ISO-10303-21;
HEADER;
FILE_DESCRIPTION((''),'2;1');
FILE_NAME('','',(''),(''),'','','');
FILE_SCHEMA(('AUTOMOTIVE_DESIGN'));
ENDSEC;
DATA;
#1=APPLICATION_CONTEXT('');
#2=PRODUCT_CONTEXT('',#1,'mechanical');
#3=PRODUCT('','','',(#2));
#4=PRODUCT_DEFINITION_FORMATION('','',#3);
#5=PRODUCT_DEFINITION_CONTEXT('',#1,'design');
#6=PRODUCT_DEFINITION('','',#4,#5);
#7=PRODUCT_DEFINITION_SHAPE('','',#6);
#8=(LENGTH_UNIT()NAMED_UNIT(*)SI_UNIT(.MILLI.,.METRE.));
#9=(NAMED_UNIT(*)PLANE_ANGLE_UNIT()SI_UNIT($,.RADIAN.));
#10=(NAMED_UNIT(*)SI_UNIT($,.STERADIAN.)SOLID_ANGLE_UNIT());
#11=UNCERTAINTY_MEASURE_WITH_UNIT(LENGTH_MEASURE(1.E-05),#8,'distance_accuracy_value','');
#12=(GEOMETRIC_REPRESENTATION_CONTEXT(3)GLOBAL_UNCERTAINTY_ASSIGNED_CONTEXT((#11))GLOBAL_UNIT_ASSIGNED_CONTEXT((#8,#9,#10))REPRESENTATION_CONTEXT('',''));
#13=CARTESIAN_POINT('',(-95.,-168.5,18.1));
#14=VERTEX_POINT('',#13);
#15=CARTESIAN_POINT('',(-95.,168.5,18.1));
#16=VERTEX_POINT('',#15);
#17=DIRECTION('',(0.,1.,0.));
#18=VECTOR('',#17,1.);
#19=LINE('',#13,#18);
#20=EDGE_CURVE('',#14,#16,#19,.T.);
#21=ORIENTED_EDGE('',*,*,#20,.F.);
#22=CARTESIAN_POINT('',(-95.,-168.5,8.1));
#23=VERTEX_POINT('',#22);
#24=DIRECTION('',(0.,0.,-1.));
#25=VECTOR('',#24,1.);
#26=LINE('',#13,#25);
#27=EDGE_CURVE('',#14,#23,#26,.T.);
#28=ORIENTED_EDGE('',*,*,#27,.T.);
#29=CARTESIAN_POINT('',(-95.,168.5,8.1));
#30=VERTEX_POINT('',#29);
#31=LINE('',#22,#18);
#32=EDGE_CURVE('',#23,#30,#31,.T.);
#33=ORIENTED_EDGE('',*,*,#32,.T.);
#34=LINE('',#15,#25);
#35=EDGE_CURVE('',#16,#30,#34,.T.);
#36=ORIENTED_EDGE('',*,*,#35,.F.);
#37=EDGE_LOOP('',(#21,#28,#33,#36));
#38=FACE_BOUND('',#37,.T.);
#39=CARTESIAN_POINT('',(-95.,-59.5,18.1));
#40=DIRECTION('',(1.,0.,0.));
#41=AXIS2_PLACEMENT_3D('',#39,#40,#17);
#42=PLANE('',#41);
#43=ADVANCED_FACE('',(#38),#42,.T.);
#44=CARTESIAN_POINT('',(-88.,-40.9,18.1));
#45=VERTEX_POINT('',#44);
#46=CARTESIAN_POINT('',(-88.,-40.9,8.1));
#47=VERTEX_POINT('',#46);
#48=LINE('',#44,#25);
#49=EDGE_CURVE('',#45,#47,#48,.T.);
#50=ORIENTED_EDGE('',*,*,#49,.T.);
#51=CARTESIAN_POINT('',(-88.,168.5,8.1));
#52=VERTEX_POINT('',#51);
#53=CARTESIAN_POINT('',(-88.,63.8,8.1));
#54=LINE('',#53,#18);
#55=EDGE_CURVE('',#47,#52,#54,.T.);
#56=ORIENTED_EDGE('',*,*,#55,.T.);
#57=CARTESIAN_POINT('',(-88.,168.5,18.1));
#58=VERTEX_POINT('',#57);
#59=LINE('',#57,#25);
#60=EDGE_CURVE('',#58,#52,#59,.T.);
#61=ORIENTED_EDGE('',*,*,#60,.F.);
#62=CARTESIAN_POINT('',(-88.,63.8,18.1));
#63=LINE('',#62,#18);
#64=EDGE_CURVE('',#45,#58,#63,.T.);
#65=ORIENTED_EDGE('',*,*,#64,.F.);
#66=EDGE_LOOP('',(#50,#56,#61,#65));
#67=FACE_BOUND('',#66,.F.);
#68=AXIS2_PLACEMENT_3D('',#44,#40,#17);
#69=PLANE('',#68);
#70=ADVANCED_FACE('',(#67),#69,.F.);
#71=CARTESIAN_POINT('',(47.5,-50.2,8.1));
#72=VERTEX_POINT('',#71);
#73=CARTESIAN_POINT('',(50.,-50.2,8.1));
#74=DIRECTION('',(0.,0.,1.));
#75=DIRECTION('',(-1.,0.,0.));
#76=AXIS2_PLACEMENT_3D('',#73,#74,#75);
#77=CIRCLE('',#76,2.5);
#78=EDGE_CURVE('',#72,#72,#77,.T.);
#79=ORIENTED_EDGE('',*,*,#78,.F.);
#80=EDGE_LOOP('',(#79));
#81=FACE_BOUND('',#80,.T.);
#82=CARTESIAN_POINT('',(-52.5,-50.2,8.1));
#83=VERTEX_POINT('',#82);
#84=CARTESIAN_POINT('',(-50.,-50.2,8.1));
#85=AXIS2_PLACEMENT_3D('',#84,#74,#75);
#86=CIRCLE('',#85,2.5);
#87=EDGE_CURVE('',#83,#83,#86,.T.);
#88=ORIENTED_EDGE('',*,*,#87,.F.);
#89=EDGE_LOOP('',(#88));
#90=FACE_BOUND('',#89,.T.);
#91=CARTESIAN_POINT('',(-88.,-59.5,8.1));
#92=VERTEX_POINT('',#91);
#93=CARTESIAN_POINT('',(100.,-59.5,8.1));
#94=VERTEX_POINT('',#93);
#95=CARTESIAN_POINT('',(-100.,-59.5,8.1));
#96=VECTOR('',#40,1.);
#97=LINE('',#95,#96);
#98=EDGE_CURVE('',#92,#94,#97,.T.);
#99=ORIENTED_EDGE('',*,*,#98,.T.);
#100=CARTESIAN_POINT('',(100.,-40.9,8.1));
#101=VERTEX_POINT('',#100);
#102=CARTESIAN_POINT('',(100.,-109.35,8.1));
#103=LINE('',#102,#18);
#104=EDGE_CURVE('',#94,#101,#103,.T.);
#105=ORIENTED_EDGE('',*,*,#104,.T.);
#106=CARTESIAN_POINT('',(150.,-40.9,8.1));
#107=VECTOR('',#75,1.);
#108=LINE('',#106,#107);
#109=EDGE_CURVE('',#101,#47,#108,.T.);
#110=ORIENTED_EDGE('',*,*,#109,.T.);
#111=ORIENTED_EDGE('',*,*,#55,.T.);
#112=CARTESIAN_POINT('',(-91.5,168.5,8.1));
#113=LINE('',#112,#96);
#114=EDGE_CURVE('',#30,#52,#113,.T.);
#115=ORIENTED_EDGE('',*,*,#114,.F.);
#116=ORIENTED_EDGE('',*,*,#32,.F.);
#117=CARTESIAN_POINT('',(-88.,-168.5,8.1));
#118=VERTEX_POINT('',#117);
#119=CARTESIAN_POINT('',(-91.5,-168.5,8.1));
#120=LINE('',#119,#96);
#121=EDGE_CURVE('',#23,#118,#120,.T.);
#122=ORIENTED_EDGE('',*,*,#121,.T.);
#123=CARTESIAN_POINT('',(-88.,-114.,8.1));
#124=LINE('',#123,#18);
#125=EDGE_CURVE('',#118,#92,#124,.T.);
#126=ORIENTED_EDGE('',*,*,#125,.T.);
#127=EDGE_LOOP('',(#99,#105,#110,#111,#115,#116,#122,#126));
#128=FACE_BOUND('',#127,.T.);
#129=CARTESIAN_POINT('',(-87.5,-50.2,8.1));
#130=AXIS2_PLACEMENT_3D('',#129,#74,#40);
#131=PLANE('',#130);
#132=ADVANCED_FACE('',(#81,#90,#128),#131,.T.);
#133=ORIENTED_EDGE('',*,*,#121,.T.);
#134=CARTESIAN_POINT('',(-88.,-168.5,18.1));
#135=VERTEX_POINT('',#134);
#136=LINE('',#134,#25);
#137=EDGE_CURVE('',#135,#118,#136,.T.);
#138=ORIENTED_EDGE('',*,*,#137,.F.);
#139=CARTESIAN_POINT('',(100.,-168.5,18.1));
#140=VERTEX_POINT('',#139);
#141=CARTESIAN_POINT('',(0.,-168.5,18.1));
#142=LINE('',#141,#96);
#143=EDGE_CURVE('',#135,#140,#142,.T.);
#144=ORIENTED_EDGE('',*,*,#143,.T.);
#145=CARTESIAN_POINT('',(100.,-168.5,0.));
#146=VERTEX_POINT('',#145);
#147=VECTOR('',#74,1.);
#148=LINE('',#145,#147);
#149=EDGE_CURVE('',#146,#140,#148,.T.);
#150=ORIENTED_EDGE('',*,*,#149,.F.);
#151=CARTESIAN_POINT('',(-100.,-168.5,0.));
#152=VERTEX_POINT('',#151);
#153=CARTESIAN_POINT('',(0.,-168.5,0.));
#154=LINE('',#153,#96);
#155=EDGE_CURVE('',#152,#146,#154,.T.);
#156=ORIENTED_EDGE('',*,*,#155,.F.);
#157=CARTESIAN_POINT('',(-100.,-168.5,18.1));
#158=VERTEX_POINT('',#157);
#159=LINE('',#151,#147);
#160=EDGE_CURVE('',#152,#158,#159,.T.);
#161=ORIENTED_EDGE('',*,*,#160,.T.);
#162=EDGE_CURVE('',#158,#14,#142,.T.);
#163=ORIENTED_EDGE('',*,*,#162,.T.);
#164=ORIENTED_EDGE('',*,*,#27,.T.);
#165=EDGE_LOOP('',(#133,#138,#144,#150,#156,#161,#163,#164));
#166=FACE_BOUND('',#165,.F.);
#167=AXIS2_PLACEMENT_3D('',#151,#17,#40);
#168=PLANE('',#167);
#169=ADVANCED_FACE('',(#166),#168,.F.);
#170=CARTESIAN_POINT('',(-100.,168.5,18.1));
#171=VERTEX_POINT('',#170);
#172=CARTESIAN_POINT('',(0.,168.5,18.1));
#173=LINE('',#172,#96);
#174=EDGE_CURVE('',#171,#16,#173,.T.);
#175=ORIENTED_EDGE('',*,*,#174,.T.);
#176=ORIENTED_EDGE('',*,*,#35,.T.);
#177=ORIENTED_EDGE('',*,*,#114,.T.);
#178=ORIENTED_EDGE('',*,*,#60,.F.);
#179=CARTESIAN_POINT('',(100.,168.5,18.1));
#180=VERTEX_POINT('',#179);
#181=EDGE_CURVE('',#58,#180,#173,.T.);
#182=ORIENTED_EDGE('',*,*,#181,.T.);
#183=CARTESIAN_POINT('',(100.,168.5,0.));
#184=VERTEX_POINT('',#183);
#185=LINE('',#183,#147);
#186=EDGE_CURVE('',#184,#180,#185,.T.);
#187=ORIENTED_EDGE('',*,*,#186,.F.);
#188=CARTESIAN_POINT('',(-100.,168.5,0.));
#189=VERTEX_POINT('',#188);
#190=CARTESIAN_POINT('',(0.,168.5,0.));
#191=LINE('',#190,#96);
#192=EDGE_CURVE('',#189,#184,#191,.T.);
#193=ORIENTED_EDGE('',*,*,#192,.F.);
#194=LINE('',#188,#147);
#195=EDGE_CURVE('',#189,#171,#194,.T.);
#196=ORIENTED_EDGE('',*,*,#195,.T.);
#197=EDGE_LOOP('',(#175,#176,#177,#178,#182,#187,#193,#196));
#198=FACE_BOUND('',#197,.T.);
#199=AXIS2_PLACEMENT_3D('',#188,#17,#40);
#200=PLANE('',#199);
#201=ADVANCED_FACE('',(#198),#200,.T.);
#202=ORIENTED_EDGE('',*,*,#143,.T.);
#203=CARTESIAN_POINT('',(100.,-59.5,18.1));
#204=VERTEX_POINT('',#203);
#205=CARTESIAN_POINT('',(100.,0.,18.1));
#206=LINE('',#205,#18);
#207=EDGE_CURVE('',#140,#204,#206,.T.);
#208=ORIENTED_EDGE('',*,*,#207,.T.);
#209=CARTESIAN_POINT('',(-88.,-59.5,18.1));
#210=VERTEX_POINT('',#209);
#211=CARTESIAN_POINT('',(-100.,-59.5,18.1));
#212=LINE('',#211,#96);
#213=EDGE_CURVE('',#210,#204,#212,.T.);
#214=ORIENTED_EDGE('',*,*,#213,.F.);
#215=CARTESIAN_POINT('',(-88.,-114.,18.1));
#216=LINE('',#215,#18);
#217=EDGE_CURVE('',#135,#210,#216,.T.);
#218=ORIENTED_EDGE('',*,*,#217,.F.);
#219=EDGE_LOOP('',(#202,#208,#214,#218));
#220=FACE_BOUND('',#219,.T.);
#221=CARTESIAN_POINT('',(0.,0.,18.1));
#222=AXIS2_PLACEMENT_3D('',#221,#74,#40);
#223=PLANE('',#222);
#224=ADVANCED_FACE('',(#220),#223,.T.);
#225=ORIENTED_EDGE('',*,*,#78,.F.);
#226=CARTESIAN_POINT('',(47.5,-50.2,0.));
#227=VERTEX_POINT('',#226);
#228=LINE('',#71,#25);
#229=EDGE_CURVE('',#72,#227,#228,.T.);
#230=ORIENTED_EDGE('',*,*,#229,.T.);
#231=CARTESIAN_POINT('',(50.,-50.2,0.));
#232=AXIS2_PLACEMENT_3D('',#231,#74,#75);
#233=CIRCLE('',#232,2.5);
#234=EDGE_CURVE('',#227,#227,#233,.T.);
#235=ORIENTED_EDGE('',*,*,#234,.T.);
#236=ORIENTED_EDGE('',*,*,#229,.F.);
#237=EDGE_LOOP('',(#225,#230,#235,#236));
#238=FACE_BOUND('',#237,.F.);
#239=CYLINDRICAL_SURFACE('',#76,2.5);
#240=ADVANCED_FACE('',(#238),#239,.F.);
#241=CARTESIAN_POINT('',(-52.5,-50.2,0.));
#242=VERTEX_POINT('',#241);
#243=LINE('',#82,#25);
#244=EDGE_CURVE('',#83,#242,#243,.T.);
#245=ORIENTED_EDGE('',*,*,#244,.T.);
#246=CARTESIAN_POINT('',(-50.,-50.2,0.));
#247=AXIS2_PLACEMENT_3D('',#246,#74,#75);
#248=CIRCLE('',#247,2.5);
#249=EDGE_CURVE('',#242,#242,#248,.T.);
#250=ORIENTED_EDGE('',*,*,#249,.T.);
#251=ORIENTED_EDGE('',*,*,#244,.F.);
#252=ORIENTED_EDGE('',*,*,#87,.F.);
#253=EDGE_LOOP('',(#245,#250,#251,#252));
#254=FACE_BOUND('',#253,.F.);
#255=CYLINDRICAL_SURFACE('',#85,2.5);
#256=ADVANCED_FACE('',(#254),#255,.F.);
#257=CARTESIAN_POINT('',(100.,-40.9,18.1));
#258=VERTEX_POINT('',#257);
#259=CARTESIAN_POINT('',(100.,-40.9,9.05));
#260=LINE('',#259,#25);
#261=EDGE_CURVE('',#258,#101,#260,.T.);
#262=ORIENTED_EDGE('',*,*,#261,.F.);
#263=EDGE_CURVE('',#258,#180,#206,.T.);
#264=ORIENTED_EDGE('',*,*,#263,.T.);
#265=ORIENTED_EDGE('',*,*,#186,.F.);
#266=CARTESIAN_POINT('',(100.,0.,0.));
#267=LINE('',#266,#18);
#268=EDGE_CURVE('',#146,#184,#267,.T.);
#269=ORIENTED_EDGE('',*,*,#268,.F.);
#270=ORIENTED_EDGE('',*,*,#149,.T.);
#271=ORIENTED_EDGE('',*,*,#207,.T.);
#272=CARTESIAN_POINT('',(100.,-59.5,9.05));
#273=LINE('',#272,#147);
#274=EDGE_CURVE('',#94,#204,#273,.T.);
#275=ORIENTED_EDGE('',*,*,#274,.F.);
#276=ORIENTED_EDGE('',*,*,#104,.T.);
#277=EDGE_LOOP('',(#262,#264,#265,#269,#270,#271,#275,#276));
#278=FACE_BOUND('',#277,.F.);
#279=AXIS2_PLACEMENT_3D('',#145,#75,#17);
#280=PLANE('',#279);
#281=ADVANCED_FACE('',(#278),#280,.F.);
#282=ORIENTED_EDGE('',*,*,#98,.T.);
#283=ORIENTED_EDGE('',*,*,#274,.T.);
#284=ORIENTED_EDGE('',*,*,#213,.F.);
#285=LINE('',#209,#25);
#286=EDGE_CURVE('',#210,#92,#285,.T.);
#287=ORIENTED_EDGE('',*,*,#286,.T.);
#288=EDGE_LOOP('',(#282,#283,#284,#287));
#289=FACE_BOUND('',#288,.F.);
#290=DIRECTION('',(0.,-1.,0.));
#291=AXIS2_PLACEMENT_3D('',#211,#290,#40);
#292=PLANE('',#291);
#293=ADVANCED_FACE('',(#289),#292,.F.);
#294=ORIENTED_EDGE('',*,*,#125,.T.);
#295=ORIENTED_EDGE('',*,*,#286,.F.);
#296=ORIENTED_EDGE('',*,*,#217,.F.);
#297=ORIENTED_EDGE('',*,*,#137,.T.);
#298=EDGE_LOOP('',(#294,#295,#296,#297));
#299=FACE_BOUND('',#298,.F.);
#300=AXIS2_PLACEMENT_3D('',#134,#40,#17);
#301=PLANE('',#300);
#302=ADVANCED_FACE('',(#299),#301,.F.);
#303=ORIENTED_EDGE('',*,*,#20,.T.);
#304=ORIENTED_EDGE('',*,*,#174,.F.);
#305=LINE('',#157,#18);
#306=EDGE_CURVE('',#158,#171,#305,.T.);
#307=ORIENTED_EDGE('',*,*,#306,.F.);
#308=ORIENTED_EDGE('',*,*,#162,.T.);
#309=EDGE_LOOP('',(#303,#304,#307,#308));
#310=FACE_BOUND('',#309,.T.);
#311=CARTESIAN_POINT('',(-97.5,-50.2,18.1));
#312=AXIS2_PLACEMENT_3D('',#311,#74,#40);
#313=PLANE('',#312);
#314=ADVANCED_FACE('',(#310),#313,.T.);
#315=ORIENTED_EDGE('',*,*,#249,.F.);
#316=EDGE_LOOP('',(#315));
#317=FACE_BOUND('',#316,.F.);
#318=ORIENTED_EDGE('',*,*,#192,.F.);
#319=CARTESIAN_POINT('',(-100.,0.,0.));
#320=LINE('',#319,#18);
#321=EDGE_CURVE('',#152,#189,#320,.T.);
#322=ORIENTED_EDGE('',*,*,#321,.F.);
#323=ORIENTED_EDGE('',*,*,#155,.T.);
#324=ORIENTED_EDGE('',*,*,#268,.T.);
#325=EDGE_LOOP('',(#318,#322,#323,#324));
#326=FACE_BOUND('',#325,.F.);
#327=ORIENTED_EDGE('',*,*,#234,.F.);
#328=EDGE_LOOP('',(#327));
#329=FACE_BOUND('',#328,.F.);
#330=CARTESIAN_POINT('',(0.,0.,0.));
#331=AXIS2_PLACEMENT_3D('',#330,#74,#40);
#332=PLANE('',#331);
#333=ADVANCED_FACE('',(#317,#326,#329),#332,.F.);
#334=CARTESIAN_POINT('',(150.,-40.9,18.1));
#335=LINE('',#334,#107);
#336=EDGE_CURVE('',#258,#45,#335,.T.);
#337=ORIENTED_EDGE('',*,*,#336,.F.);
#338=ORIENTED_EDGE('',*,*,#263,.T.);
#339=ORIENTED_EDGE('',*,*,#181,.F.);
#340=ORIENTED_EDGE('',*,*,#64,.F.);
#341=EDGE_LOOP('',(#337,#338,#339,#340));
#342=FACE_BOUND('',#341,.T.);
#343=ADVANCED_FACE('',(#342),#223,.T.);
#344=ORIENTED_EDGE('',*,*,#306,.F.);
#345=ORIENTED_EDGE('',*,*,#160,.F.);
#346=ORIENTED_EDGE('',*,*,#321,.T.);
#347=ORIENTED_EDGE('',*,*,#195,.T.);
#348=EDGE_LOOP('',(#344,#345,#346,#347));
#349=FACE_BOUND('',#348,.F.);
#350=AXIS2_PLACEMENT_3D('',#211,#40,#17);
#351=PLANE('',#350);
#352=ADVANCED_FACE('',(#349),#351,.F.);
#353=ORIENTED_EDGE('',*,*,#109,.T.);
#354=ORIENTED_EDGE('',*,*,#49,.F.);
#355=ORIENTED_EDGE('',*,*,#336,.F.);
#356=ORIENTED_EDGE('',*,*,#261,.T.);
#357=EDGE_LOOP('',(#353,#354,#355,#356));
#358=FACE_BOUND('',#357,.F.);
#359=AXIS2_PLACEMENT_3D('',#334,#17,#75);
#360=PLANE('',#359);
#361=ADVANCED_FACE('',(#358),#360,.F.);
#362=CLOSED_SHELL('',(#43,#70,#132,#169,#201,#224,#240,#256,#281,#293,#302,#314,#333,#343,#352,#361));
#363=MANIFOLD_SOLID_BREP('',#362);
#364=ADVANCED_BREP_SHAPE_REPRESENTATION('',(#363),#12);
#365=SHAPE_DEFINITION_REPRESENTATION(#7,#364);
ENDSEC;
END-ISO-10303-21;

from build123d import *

# Parameters (mm, degrees)
F0_W      = 200
F0_H      = 337
F1_DEPTH  = 18.1
F2_W      = 25
F2_H      = 18.6
F2_W_2    = 150
F3_DEPTH  = 10
F5_DEPTH  = 25
F6_W      = 7
F6_H      = 209.4
F7_DEPTH  = 10
F8_W      = 7
F8_H      = 109
F9_DEPTH  = 10
F10_W     = 5
F10_H     = 18.6
F11_DEPTH = 13


with BuildPart() as f1:
    # F0 (on Top) → F1 (new body)
    with BuildSketch(Plane.XY):
        Rectangle(F0_W, F0_H)
    extrude(amount=F1_DEPTH)

    # F2 (on face) → F3 (cut)
    with BuildSketch(Plane.XY.offset(18.1)):
        with Locations((-87.5, -50.2)):
            Rectangle(F2_W, F2_H)
        with Locations((-62.5, -50.2)):
            Rectangle(F2_W, F2_H)
        with Locations((25, -50.2)):
            Rectangle(F2_W_2, F2_H)
        with Locations((112.5, -50.2)):
            Rectangle(F2_W, F2_H)
        with Locations((137.5, -50.2)):
            Rectangle(F2_W, F2_H)
    extrude(amount=-F3_DEPTH, mode=Mode.SUBTRACT)

    # F4 (on face) → F5 (cut)
    with BuildSketch(Plane.XY.offset(8.1)):
        with BuildLine():
            Line((-52.5, -50.2), (-50, -50.2))
            Line((-50, -50.2), (-47.5, -50.2))
            ThreePointArc((-47.5, -50.2), (-50, -47.7), (-52.5, -50.2))
        make_face()
        with BuildLine():
            Line((-47.5, -50.2), (-50, -50.2))
            Line((-50, -50.2), (-52.5, -50.2))
            ThreePointArc((-52.5, -50.2), (-50, -52.7), (-47.5, -50.2))
        make_face()
        with BuildLine():
            ThreePointArc((52.5, -50.2), (50, -47.7), (47.5, -50.2))
            Line((47.5, -50.2), (50, -50.2))
            Line((50, -50.2), (52.5, -50.2))
        make_face()
        with BuildLine():
            Line((50, -50.2), (47.5, -50.2))
            ThreePointArc((47.5, -50.2), (50, -52.7), (52.5, -50.2))
            Line((52.5, -50.2), (50, -50.2))
        make_face()
    extrude(amount=-F5_DEPTH, mode=Mode.SUBTRACT)

    # F6 (on face) → F7 (cut)
    with BuildSketch(Plane.XY.offset(18.1)):
        with Locations((-91.5, 63.8)):
            Rectangle(F6_W, F6_H)
    extrude(amount=-F7_DEPTH, mode=Mode.SUBTRACT)

    # F8 (on face) → F9 (cut)
    with BuildSketch(Plane.XY.offset(18.1)):
        with Locations((-91.5, -114)):
            Rectangle(F8_W, F8_H)
    extrude(amount=-F9_DEPTH, mode=Mode.SUBTRACT)

    # F10 (on face) → F11 (join)
    with BuildSketch(Plane.XY.offset(18.1)):
        with Locations((-97.5, -50.2)):
            Rectangle(F10_W, F10_H)
    extrude(amount=-F11_DEPTH)


solid = f1.part
